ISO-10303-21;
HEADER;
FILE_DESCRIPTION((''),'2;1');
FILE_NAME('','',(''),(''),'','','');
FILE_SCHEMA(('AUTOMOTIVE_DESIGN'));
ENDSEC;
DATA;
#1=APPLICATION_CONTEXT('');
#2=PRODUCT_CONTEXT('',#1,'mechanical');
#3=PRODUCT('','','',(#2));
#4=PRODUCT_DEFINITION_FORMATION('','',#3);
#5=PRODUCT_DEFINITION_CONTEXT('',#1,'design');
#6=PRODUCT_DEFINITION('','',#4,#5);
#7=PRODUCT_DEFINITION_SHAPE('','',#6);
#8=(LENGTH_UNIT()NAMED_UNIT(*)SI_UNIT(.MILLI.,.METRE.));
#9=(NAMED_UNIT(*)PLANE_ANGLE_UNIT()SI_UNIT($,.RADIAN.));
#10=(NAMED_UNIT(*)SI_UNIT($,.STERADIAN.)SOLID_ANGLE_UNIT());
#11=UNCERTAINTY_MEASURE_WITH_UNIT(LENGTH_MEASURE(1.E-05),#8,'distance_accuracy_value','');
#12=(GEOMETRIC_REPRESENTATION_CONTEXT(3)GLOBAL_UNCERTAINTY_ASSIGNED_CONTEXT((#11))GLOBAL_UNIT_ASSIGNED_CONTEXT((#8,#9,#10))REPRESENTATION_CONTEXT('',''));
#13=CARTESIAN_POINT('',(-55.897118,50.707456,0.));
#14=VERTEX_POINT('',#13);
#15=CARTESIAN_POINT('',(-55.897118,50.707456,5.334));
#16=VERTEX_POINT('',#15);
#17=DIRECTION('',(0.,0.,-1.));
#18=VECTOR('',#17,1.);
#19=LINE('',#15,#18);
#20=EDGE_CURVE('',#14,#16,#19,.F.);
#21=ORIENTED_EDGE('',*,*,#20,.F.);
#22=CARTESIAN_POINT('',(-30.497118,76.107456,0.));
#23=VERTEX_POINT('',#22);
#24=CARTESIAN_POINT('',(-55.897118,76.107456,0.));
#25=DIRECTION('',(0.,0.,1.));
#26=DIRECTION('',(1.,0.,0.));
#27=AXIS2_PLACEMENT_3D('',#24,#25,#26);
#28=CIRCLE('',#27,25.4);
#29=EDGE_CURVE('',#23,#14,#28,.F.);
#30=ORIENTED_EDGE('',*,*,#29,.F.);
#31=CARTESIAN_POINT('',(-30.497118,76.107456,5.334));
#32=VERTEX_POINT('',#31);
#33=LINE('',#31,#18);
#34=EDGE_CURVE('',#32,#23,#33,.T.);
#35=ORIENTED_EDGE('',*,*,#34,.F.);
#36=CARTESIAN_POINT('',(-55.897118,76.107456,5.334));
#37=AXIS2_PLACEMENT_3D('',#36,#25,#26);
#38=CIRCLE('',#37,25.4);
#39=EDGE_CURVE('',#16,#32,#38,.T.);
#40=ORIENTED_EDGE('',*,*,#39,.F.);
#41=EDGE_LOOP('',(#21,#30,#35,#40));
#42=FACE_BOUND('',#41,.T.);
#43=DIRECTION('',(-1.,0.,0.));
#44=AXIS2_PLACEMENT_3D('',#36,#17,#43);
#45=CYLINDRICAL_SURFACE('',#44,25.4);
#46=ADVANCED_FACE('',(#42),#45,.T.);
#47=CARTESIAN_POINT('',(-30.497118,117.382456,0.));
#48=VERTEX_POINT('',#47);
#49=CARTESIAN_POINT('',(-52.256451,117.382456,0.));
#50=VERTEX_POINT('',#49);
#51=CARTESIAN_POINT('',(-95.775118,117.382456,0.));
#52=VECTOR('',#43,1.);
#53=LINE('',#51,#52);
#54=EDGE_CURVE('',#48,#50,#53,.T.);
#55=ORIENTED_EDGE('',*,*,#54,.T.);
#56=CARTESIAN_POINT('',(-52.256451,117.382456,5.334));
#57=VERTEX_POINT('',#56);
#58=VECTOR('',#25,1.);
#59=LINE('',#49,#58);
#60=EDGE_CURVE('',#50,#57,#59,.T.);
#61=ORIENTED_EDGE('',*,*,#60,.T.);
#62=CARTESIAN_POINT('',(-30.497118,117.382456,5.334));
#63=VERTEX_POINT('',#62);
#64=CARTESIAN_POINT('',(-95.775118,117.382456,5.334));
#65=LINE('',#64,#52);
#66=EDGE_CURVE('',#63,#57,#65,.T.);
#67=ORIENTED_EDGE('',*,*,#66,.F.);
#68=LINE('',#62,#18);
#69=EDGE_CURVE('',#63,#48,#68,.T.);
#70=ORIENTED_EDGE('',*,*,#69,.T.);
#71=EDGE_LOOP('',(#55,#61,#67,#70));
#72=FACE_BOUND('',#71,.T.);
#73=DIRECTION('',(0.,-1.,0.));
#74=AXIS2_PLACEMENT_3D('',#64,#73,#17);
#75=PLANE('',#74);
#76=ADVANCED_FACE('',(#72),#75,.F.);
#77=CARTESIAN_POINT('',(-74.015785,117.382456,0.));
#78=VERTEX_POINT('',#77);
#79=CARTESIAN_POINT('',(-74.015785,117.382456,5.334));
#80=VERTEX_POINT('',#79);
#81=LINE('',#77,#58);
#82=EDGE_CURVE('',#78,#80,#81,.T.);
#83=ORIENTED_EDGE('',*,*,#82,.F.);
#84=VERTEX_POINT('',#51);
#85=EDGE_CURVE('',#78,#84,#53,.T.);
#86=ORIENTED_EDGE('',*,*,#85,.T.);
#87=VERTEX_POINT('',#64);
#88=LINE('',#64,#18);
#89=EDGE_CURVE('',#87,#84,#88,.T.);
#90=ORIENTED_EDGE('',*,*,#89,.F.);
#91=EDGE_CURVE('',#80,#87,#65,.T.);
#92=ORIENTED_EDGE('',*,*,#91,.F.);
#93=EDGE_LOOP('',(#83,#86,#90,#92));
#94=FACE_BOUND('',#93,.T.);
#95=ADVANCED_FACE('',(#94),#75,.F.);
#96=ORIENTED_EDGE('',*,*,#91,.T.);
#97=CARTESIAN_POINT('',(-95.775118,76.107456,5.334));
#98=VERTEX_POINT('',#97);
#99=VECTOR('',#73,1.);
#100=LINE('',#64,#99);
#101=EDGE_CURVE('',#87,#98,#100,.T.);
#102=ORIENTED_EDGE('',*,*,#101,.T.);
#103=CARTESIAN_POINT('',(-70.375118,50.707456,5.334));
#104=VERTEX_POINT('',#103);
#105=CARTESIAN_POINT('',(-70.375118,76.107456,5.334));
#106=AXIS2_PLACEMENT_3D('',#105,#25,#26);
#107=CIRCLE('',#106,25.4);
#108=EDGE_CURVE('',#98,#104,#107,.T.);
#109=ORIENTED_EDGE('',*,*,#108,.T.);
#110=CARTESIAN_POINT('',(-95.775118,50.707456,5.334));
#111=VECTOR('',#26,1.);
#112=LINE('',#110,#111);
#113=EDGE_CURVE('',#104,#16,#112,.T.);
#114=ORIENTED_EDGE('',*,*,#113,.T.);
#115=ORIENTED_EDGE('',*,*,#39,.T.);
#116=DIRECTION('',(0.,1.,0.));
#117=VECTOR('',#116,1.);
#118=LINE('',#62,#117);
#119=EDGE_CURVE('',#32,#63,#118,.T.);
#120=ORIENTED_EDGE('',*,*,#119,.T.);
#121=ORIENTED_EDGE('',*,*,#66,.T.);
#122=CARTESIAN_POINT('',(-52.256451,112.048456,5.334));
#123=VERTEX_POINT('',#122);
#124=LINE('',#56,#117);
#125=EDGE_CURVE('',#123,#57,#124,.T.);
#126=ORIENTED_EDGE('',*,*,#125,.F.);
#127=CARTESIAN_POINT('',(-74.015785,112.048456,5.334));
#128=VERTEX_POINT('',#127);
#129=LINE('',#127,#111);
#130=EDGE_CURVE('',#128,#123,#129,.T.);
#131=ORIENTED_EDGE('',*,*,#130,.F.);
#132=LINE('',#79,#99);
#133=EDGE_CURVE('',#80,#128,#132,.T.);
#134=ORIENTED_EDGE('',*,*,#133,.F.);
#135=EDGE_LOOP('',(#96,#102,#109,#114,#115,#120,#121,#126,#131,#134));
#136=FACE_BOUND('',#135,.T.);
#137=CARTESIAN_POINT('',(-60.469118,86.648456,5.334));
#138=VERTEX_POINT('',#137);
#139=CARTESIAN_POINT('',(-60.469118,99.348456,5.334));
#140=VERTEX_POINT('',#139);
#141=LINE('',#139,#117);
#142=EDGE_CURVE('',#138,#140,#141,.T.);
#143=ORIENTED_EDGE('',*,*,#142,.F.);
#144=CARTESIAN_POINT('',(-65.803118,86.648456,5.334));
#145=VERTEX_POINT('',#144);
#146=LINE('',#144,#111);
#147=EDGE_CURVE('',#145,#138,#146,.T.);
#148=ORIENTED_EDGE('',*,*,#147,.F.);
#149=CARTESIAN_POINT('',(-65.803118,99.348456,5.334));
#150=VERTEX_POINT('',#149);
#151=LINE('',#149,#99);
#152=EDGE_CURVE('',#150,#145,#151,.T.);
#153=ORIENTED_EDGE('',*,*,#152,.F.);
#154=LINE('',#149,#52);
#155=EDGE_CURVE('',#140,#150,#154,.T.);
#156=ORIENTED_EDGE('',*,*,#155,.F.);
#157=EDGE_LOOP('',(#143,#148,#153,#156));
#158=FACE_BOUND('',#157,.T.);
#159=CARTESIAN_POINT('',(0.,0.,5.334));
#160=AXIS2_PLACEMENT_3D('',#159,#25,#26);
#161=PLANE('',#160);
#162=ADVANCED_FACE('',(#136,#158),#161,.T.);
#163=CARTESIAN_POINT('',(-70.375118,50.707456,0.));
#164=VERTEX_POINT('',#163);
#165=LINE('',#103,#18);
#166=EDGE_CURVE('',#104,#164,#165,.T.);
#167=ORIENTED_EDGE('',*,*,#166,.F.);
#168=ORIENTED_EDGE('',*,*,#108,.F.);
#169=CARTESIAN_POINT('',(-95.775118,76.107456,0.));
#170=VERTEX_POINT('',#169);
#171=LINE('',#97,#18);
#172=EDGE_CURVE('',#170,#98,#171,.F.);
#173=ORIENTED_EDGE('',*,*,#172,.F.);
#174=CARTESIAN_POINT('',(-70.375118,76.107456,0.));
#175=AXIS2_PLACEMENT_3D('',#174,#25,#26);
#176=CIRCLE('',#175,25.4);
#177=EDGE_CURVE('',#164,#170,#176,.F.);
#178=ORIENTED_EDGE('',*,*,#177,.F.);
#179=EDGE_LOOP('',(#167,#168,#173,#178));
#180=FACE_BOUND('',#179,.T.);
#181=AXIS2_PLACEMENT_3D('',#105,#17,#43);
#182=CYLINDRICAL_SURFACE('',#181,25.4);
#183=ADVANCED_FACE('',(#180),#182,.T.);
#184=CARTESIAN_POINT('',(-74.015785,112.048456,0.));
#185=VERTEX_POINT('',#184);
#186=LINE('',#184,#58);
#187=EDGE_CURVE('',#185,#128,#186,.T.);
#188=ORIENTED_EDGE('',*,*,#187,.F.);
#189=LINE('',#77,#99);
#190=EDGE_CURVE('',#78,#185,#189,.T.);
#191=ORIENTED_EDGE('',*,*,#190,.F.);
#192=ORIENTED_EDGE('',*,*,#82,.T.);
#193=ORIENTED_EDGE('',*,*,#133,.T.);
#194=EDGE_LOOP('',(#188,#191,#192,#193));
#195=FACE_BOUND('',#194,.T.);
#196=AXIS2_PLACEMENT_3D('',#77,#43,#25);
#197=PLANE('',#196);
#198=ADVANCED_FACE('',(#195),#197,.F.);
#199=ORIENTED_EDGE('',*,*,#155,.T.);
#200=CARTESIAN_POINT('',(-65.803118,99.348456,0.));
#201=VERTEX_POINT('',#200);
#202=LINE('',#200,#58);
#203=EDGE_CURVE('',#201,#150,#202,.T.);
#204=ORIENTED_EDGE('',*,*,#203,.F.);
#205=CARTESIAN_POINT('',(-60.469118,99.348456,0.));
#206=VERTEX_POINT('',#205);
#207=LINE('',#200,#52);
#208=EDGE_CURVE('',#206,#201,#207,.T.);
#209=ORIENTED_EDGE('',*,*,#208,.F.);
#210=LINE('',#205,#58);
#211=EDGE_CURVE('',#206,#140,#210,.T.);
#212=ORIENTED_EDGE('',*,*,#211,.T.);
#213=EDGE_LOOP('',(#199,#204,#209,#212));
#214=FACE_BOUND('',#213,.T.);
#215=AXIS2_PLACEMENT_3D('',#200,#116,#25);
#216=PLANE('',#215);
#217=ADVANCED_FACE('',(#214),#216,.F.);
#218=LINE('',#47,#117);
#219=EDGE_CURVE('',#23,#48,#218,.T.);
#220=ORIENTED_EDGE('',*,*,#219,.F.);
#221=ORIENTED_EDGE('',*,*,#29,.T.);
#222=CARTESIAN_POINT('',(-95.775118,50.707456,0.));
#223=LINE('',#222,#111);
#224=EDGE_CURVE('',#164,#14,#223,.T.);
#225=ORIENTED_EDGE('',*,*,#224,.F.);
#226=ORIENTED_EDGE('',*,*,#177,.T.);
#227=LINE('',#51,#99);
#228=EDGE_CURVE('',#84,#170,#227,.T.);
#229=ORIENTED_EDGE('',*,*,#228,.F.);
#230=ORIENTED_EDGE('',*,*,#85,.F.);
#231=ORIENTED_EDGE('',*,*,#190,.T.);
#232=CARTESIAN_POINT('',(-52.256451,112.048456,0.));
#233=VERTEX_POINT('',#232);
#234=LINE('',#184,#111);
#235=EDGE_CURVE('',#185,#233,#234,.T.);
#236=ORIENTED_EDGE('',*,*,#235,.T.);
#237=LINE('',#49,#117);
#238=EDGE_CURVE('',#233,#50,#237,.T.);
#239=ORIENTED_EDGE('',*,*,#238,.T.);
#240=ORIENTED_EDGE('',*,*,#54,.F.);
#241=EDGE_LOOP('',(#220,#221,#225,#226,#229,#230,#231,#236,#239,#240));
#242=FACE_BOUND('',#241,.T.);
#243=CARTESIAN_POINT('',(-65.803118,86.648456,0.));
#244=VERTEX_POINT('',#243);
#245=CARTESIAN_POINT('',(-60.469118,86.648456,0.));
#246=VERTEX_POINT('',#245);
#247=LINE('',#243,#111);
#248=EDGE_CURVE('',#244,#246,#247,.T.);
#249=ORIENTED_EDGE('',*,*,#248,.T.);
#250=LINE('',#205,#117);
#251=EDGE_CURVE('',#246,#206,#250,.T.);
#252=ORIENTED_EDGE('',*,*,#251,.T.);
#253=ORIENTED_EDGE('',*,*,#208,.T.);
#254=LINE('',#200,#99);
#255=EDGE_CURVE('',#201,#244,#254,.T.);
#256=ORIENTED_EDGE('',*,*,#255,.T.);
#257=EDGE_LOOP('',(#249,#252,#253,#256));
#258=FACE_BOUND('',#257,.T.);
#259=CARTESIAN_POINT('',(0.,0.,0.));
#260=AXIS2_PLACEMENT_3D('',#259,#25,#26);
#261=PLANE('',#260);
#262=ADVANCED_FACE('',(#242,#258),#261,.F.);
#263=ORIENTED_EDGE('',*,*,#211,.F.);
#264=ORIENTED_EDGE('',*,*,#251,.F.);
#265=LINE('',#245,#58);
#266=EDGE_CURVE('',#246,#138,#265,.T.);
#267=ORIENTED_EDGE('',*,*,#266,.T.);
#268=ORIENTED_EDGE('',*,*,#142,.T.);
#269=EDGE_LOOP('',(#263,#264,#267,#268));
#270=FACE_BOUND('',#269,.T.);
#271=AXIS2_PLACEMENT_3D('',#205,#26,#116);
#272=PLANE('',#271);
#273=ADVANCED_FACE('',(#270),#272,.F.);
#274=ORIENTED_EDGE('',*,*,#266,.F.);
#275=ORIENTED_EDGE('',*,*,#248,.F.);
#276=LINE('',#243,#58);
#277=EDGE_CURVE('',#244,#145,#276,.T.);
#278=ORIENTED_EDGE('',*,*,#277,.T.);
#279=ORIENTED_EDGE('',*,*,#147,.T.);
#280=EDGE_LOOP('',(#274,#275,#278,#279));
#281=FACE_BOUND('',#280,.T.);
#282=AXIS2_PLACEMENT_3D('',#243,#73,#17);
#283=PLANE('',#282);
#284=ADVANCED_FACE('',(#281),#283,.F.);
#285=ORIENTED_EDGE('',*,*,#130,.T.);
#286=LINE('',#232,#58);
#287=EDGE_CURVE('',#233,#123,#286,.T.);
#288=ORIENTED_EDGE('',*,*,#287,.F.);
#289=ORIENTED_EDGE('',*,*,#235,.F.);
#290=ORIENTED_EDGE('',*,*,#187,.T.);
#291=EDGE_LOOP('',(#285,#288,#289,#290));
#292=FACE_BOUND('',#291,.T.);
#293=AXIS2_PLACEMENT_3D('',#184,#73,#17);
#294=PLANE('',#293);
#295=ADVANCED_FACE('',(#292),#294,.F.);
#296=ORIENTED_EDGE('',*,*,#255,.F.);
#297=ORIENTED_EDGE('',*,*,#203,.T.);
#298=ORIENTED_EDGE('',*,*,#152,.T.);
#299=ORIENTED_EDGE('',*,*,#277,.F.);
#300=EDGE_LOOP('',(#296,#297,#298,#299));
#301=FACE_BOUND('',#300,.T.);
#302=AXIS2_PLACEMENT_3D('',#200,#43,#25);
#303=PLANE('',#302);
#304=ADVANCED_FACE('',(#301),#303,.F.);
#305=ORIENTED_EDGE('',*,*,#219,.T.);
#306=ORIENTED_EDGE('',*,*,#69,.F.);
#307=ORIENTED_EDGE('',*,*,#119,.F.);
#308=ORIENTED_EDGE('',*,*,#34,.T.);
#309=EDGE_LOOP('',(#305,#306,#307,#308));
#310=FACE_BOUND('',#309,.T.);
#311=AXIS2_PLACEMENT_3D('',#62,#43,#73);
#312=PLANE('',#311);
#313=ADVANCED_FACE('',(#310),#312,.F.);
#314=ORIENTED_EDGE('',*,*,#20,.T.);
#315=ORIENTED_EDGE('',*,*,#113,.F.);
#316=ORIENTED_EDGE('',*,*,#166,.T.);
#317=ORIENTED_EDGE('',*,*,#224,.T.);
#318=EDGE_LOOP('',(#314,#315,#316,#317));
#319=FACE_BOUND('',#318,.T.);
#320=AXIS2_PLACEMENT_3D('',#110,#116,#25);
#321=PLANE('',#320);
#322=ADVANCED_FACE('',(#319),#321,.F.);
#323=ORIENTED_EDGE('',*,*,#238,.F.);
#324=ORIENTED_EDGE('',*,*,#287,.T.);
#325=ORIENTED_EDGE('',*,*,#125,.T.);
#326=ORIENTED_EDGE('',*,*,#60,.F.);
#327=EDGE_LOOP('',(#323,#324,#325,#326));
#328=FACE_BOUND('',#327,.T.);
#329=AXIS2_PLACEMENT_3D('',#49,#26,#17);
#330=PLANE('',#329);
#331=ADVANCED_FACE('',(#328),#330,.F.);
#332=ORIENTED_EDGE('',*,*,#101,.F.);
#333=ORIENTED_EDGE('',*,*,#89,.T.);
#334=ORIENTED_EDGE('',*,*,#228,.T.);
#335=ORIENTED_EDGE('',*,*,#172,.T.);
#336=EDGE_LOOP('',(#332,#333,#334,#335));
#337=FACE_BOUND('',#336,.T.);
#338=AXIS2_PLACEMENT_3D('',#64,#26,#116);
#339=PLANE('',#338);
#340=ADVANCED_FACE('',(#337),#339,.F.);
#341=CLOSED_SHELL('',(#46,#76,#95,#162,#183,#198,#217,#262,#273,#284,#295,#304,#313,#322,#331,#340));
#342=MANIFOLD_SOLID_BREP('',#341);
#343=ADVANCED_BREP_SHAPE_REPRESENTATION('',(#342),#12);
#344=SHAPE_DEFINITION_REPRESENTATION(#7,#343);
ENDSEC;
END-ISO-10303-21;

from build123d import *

# Parameters (mm, degrees)
SKETCH1_W           = 65.278
SKETCH1_H           = 66.675
BOSS_EXTRUDE1_DEPTH = 5.334
SKETCH2_W           = 21.759333334
SKETCH2_H           = 5.334
CUT_EXTRUDE1_DEPTH  = 152.591443439
FILLET1_R           = 25.4
FILLET2_R           = 25.4
SKETCH3_W           = 5.334
SKETCH3_H           = 12.7
CUT_EXTRUDE2_DEPTH  = 152.591443439


with BuildPart() as part:
    # Sketch1 → Boss-Extrude1 (new body)
    with BuildSketch(Plane.XY):
        with Locations((-63.136117913, 84.044955915)):
            Rectangle(SKETCH1_W, SKETCH1_H)
    extrude(amount=BOSS_EXTRUDE1_DEPTH)

    # Sketch2 → Cut-Extrude1 (cut, through all)
    with BuildSketch(Plane.XY.offset(5.334)):
        with Locations((-63.136117913, 114.715455915)):
            Rectangle(SKETCH2_W, SKETCH2_H)
    extrude(amount=-CUT_EXTRUDE1_DEPTH, mode=Mode.SUBTRACT)

    # Fillet1
    fillet1_edges = [part.edges().sort_by_distance(p)[0] for p in [
        (-95.775117913, 50.707455915, 2.667),
    ]]
    fillet(fillet1_edges, radius=FILLET1_R)

    # Fillet2
    fillet2_edges = [part.edges().sort_by_distance(p)[0] for p in [
        (-30.497117913, 50.707455915, 2.667),
    ]]
    fillet(fillet2_edges, radius=FILLET2_R)

    # Sketch3 → Cut-Extrude2 (cut, through all)
    with BuildSketch(Plane.XY.offset(5.334)):
        with Locations((-63.136117913, 92.998455915)):
            Rectangle(SKETCH3_W, SKETCH3_H)
    extrude(amount=-CUT_EXTRUDE2_DEPTH, mode=Mode.SUBTRACT)


solid = part.part
